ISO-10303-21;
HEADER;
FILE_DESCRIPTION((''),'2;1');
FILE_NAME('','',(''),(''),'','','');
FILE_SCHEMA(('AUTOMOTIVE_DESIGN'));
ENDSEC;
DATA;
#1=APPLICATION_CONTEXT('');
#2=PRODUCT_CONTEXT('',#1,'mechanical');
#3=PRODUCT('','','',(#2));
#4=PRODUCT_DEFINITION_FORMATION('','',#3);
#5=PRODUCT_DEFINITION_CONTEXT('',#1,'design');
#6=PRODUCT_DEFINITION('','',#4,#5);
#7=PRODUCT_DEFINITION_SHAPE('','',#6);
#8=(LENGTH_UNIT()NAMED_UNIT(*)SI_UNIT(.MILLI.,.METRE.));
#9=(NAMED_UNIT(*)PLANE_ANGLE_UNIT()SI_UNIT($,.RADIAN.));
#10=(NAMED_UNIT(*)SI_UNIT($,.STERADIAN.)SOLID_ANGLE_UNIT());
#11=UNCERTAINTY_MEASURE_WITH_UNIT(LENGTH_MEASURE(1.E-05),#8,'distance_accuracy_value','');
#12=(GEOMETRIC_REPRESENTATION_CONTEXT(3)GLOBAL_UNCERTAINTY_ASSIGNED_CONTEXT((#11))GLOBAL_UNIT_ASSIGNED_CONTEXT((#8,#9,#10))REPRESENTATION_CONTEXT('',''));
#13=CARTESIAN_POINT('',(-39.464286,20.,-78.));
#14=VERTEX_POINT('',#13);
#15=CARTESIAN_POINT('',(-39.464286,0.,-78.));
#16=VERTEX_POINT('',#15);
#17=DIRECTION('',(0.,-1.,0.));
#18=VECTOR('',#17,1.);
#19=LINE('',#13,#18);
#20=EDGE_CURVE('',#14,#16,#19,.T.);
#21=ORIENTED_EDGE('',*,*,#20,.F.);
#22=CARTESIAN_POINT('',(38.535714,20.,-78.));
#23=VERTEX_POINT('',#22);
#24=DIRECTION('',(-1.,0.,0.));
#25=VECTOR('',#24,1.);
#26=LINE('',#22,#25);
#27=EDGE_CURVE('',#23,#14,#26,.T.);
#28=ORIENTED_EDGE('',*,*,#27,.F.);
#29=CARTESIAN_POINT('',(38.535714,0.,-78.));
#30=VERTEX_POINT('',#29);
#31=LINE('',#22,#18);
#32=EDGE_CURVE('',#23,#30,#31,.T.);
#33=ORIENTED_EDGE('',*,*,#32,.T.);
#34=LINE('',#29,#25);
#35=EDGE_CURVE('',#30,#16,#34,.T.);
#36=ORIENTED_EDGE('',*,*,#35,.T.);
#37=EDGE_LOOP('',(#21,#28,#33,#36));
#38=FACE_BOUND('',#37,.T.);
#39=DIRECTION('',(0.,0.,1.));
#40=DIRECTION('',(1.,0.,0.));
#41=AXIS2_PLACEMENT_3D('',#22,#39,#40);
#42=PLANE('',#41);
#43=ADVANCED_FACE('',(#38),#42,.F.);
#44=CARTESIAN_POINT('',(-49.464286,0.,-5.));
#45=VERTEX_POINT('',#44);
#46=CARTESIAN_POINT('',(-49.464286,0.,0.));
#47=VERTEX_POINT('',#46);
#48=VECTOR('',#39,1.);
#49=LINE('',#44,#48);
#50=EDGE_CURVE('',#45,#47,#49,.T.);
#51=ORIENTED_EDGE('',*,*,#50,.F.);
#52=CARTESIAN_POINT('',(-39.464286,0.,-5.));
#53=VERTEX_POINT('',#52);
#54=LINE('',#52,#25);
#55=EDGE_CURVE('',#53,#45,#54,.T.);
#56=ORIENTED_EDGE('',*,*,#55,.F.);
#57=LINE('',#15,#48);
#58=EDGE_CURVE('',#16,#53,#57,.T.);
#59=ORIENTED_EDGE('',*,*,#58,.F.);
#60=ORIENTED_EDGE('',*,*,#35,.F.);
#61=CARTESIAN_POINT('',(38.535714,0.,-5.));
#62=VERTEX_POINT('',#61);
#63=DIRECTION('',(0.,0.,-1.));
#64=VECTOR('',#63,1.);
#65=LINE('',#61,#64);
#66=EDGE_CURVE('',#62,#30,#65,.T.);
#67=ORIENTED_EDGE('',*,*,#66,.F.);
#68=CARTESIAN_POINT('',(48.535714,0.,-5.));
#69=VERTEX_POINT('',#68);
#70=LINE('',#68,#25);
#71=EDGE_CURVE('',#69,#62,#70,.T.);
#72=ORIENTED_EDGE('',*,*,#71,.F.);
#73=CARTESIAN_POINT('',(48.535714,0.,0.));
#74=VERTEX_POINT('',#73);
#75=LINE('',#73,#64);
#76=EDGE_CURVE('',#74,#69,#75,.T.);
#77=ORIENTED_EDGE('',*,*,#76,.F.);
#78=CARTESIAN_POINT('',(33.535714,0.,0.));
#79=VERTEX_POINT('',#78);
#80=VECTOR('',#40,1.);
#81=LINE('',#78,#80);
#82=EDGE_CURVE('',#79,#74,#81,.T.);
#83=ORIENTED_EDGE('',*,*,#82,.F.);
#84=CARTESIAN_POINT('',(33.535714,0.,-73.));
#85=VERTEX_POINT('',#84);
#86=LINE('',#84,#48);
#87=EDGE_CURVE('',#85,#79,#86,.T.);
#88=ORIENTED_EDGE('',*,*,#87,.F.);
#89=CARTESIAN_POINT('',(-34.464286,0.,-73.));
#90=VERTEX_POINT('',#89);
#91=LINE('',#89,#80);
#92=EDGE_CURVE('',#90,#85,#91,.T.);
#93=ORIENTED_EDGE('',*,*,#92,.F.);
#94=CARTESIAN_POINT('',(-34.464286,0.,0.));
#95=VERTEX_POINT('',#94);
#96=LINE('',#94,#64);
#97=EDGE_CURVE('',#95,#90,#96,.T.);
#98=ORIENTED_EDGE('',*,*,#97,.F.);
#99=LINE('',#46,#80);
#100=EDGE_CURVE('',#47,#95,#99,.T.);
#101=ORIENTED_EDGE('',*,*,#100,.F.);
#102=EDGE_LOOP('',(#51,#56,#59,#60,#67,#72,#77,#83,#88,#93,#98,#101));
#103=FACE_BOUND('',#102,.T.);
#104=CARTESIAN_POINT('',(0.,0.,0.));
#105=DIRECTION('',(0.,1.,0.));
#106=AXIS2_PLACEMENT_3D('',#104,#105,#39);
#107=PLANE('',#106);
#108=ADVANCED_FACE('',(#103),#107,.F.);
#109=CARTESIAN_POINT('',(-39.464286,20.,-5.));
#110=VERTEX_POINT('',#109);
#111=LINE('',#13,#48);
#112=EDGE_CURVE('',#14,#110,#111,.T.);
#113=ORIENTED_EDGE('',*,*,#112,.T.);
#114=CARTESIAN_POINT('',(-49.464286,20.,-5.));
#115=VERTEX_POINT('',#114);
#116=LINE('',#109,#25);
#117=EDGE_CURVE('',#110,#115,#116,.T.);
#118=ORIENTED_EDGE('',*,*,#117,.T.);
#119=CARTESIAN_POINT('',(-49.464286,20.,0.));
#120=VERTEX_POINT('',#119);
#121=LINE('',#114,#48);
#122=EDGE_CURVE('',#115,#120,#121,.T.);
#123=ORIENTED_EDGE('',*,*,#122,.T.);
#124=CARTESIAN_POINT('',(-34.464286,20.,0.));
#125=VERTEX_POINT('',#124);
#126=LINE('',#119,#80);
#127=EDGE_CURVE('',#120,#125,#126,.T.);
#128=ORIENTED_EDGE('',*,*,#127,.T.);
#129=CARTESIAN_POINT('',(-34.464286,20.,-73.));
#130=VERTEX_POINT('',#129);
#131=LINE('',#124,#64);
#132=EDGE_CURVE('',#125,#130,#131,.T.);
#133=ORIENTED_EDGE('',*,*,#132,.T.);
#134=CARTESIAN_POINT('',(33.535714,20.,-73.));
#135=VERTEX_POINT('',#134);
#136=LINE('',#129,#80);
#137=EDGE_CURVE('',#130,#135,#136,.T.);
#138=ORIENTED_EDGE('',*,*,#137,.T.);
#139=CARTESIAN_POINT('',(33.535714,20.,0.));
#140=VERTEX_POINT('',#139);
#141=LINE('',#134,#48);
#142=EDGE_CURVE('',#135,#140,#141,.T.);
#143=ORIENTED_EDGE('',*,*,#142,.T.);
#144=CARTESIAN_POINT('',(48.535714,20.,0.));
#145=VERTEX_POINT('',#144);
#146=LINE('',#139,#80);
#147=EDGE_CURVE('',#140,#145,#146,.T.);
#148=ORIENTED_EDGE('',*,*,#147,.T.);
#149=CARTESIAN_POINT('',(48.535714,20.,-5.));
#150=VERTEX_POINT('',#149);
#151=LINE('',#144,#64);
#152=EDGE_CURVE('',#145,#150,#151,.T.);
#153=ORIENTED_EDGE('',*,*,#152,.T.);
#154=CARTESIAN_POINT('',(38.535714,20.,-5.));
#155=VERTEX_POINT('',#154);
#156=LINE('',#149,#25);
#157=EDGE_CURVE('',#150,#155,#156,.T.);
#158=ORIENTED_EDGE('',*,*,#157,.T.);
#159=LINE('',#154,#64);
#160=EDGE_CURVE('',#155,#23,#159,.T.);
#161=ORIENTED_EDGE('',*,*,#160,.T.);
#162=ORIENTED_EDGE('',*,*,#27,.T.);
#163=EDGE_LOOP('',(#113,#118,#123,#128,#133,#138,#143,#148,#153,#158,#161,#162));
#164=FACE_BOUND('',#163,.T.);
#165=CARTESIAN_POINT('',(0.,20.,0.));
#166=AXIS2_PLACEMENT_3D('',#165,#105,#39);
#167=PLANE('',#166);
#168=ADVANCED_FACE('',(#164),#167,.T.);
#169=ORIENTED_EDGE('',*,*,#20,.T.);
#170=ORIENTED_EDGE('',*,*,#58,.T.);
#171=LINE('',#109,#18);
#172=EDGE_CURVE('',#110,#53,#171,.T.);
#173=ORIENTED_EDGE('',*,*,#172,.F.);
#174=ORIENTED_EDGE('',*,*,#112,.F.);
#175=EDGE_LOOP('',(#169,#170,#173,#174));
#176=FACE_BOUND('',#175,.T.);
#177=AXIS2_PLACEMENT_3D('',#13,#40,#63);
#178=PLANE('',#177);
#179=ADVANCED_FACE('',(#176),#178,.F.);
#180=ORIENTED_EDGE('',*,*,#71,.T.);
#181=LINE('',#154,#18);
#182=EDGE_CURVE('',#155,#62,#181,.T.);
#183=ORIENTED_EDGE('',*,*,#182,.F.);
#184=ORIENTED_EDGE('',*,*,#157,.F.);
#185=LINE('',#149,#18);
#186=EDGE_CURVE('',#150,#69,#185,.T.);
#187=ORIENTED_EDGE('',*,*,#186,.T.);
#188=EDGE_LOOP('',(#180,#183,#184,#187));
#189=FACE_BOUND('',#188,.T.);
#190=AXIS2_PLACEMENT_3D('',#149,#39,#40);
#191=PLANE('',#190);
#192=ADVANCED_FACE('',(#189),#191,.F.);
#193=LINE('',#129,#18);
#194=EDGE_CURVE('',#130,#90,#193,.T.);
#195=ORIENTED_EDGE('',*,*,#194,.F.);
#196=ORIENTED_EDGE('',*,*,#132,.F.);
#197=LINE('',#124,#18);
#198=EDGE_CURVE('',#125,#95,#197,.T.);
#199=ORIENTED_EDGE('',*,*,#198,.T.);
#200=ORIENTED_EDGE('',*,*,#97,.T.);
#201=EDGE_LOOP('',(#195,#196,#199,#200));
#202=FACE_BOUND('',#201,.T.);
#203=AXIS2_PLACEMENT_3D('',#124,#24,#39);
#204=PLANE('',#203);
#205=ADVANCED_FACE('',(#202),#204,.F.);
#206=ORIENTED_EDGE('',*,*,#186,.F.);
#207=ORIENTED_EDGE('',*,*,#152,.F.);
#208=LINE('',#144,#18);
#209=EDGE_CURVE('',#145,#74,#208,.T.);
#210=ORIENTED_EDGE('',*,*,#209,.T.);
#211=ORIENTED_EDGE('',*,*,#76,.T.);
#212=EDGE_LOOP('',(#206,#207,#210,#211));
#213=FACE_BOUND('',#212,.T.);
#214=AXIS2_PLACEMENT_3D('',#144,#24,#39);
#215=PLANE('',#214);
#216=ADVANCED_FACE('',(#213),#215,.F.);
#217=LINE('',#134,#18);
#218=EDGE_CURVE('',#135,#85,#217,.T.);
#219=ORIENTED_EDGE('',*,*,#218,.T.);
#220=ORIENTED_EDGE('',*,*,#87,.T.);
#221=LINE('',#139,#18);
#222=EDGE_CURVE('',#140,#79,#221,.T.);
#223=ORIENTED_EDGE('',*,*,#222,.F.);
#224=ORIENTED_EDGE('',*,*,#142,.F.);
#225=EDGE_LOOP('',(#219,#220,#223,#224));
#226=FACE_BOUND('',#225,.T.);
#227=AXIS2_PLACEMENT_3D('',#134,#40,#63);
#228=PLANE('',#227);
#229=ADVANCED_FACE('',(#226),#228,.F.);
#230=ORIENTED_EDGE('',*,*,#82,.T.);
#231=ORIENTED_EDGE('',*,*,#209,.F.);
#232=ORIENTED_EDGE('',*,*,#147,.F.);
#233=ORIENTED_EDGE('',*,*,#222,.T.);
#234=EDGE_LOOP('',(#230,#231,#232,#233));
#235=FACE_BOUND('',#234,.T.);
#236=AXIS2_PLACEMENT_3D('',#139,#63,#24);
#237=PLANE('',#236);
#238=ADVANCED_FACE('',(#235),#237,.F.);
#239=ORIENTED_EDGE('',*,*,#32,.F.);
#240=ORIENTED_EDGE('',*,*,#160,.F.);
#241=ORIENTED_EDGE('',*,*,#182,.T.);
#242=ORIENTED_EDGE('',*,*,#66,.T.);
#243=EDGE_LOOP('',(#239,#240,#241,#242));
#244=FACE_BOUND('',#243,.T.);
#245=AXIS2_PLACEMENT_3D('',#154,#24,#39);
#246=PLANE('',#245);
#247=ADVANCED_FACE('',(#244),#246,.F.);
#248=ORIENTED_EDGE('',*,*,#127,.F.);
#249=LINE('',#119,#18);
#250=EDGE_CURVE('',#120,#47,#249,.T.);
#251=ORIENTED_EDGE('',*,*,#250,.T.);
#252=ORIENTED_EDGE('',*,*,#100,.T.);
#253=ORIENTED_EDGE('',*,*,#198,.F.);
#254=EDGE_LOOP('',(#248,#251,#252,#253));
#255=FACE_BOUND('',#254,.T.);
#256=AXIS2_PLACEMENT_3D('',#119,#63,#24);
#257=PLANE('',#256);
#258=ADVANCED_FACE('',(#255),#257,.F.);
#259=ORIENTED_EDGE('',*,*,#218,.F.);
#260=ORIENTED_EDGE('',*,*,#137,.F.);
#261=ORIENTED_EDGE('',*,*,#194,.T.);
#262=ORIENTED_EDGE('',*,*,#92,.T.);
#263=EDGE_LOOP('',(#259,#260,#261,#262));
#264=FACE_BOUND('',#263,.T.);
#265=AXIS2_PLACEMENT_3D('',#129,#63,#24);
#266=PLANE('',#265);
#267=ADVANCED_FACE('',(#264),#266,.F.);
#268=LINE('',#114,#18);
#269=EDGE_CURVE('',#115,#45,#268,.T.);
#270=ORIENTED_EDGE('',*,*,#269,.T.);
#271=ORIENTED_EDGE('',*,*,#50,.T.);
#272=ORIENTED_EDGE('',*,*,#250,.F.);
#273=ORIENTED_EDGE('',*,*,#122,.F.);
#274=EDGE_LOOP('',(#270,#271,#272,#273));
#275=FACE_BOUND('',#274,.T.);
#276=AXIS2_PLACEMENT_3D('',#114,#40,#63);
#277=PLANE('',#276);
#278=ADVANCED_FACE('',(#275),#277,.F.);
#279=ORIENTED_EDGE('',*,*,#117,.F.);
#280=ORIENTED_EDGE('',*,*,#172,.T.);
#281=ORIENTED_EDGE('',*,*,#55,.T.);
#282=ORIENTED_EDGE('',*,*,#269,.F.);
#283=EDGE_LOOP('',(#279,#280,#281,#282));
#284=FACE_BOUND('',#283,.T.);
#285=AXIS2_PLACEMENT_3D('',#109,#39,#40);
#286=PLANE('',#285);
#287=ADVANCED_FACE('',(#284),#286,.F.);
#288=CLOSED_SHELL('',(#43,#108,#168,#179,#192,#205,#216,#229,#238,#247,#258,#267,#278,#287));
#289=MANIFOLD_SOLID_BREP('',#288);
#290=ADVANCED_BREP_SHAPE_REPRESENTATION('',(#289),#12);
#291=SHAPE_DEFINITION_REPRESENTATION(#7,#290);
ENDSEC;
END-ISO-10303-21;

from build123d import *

# Parameters (mm, degrees)
BOSS_EXTRUDE1_DEPTH = 20


with BuildPart() as part:
    # Sketch1 → Boss-Extrude1 (new body)
    with BuildSketch(Plane(origin=(0, 0, 0), x_dir=(1, 0, 0), z_dir=(0, 1, 0))):
        Polygon((-49.464285714, 0), (-34.464285714, 0), (-34.464285714, 73), (33.535714286, 73), (33.535714286, 0), (48.535714286, 0), (48.535714286, 5), (38.535714286, 5), (38.535714286, 78), (-39.464285714, 78), (-39.464285714, 5), (-49.464285714, 5), align=None)
    extrude(amount=BOSS_EXTRUDE1_DEPTH)


solid = part.part
